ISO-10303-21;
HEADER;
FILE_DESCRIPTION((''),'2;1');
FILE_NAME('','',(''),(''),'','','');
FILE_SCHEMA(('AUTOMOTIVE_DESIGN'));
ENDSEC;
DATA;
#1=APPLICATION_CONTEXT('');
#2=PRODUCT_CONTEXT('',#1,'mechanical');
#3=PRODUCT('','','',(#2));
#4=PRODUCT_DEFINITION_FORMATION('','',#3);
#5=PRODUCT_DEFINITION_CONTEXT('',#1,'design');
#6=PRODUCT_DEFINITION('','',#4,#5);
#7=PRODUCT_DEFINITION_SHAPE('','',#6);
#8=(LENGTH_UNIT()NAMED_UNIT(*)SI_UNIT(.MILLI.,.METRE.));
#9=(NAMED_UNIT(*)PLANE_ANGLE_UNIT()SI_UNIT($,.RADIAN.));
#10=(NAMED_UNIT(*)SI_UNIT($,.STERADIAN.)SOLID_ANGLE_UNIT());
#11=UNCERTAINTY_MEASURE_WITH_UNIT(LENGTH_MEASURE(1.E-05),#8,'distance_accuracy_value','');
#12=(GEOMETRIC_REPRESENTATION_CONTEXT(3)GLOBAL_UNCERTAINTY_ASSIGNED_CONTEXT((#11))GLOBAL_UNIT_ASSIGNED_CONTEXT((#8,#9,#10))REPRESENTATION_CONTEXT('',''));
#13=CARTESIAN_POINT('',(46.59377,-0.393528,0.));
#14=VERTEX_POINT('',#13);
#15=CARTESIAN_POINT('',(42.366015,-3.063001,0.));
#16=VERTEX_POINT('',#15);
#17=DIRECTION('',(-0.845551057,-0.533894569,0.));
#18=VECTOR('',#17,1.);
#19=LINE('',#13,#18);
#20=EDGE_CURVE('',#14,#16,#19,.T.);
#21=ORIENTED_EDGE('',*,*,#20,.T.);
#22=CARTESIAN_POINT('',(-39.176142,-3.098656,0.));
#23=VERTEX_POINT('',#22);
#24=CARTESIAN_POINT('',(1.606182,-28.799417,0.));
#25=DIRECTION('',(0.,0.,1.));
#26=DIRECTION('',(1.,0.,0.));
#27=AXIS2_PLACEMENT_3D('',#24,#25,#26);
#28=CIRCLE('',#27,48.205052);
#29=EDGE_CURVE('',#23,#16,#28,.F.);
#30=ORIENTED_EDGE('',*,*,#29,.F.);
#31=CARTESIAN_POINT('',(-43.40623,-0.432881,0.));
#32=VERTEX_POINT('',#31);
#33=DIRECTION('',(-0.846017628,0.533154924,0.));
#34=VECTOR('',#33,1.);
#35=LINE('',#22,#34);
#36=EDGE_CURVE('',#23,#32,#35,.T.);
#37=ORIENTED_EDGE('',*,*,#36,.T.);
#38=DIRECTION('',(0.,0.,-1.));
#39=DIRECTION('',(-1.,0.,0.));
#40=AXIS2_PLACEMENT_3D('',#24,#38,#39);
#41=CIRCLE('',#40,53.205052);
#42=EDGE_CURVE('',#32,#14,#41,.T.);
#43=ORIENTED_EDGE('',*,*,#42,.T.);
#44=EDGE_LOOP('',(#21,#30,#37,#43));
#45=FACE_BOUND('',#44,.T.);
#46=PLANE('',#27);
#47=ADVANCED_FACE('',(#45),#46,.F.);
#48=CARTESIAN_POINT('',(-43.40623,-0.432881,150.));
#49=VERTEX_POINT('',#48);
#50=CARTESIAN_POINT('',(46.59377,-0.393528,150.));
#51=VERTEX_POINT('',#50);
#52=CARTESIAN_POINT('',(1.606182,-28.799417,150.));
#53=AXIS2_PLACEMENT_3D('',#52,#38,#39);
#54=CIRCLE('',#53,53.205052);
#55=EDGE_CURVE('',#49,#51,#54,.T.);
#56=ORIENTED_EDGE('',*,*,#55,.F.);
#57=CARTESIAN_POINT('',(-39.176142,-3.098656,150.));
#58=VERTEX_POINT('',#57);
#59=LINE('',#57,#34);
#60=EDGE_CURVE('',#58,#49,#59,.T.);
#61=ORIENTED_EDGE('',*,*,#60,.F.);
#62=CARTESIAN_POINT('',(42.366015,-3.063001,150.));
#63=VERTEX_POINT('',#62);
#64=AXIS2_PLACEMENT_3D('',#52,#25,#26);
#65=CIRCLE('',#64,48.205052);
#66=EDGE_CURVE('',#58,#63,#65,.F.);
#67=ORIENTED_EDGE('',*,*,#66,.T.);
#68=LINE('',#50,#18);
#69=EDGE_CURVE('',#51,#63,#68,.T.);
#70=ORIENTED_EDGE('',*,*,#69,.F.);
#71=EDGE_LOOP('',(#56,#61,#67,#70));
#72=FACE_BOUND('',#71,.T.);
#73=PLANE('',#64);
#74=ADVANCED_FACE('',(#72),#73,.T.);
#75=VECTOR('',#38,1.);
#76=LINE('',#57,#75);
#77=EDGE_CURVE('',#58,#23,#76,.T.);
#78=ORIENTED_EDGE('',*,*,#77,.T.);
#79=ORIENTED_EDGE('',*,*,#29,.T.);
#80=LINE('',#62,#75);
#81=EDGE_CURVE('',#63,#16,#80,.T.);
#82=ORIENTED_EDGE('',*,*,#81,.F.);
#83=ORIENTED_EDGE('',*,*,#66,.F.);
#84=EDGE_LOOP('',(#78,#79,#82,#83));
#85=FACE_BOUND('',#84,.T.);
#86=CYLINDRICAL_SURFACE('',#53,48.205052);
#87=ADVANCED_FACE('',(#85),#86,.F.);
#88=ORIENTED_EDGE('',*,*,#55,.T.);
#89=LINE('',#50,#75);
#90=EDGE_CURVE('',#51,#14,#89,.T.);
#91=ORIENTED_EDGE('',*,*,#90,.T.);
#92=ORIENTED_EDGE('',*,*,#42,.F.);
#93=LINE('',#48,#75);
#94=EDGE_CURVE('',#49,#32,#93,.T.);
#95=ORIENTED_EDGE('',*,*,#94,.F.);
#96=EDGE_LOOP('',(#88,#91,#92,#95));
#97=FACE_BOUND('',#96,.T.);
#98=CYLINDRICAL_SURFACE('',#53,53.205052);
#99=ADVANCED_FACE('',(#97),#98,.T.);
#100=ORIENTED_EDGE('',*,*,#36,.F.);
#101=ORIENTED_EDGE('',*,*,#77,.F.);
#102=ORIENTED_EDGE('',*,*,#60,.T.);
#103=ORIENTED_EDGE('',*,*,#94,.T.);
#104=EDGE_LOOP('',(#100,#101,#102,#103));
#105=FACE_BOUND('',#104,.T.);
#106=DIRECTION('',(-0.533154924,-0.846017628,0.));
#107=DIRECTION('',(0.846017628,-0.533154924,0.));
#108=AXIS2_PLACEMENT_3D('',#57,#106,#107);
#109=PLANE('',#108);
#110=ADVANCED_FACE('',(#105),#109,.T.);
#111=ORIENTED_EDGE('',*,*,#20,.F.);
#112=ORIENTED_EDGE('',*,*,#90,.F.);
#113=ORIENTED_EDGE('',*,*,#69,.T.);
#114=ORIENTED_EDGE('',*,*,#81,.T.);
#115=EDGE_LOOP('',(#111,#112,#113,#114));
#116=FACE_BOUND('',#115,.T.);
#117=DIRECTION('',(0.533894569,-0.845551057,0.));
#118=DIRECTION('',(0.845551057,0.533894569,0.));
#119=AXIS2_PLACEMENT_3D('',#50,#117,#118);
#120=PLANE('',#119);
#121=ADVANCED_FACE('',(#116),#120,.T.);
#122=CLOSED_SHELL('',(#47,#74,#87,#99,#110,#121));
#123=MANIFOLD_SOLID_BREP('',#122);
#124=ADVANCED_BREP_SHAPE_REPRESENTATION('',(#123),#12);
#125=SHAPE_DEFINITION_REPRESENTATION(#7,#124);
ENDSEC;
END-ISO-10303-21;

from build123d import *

# Parameters (mm, degrees)
EXTRUDE_THIN1_DEPTH = 150


with BuildPart() as part:
    # Sketch1 → Extrude-Thin1 (new body)
    with BuildSketch(Plane.XY):
        with BuildLine():
            ThreePointArc((-43.406229747, -0.432881311), (1.582918122, 24.405630192), (46.593770253, -0.393528465))
            Line((46.593770253, -0.393528465), (42.366014971, -3.06300131))
            ThreePointArc((42.366014971, -3.06300131), (1.585104391, 19.40563067), (-39.176141606, -3.098655932))
            Line((-39.176141606, -3.098655932), (-43.406229747, -0.432881311))
        make_face()
    extrude(amount=EXTRUDE_THIN1_DEPTH)


solid = part.part
